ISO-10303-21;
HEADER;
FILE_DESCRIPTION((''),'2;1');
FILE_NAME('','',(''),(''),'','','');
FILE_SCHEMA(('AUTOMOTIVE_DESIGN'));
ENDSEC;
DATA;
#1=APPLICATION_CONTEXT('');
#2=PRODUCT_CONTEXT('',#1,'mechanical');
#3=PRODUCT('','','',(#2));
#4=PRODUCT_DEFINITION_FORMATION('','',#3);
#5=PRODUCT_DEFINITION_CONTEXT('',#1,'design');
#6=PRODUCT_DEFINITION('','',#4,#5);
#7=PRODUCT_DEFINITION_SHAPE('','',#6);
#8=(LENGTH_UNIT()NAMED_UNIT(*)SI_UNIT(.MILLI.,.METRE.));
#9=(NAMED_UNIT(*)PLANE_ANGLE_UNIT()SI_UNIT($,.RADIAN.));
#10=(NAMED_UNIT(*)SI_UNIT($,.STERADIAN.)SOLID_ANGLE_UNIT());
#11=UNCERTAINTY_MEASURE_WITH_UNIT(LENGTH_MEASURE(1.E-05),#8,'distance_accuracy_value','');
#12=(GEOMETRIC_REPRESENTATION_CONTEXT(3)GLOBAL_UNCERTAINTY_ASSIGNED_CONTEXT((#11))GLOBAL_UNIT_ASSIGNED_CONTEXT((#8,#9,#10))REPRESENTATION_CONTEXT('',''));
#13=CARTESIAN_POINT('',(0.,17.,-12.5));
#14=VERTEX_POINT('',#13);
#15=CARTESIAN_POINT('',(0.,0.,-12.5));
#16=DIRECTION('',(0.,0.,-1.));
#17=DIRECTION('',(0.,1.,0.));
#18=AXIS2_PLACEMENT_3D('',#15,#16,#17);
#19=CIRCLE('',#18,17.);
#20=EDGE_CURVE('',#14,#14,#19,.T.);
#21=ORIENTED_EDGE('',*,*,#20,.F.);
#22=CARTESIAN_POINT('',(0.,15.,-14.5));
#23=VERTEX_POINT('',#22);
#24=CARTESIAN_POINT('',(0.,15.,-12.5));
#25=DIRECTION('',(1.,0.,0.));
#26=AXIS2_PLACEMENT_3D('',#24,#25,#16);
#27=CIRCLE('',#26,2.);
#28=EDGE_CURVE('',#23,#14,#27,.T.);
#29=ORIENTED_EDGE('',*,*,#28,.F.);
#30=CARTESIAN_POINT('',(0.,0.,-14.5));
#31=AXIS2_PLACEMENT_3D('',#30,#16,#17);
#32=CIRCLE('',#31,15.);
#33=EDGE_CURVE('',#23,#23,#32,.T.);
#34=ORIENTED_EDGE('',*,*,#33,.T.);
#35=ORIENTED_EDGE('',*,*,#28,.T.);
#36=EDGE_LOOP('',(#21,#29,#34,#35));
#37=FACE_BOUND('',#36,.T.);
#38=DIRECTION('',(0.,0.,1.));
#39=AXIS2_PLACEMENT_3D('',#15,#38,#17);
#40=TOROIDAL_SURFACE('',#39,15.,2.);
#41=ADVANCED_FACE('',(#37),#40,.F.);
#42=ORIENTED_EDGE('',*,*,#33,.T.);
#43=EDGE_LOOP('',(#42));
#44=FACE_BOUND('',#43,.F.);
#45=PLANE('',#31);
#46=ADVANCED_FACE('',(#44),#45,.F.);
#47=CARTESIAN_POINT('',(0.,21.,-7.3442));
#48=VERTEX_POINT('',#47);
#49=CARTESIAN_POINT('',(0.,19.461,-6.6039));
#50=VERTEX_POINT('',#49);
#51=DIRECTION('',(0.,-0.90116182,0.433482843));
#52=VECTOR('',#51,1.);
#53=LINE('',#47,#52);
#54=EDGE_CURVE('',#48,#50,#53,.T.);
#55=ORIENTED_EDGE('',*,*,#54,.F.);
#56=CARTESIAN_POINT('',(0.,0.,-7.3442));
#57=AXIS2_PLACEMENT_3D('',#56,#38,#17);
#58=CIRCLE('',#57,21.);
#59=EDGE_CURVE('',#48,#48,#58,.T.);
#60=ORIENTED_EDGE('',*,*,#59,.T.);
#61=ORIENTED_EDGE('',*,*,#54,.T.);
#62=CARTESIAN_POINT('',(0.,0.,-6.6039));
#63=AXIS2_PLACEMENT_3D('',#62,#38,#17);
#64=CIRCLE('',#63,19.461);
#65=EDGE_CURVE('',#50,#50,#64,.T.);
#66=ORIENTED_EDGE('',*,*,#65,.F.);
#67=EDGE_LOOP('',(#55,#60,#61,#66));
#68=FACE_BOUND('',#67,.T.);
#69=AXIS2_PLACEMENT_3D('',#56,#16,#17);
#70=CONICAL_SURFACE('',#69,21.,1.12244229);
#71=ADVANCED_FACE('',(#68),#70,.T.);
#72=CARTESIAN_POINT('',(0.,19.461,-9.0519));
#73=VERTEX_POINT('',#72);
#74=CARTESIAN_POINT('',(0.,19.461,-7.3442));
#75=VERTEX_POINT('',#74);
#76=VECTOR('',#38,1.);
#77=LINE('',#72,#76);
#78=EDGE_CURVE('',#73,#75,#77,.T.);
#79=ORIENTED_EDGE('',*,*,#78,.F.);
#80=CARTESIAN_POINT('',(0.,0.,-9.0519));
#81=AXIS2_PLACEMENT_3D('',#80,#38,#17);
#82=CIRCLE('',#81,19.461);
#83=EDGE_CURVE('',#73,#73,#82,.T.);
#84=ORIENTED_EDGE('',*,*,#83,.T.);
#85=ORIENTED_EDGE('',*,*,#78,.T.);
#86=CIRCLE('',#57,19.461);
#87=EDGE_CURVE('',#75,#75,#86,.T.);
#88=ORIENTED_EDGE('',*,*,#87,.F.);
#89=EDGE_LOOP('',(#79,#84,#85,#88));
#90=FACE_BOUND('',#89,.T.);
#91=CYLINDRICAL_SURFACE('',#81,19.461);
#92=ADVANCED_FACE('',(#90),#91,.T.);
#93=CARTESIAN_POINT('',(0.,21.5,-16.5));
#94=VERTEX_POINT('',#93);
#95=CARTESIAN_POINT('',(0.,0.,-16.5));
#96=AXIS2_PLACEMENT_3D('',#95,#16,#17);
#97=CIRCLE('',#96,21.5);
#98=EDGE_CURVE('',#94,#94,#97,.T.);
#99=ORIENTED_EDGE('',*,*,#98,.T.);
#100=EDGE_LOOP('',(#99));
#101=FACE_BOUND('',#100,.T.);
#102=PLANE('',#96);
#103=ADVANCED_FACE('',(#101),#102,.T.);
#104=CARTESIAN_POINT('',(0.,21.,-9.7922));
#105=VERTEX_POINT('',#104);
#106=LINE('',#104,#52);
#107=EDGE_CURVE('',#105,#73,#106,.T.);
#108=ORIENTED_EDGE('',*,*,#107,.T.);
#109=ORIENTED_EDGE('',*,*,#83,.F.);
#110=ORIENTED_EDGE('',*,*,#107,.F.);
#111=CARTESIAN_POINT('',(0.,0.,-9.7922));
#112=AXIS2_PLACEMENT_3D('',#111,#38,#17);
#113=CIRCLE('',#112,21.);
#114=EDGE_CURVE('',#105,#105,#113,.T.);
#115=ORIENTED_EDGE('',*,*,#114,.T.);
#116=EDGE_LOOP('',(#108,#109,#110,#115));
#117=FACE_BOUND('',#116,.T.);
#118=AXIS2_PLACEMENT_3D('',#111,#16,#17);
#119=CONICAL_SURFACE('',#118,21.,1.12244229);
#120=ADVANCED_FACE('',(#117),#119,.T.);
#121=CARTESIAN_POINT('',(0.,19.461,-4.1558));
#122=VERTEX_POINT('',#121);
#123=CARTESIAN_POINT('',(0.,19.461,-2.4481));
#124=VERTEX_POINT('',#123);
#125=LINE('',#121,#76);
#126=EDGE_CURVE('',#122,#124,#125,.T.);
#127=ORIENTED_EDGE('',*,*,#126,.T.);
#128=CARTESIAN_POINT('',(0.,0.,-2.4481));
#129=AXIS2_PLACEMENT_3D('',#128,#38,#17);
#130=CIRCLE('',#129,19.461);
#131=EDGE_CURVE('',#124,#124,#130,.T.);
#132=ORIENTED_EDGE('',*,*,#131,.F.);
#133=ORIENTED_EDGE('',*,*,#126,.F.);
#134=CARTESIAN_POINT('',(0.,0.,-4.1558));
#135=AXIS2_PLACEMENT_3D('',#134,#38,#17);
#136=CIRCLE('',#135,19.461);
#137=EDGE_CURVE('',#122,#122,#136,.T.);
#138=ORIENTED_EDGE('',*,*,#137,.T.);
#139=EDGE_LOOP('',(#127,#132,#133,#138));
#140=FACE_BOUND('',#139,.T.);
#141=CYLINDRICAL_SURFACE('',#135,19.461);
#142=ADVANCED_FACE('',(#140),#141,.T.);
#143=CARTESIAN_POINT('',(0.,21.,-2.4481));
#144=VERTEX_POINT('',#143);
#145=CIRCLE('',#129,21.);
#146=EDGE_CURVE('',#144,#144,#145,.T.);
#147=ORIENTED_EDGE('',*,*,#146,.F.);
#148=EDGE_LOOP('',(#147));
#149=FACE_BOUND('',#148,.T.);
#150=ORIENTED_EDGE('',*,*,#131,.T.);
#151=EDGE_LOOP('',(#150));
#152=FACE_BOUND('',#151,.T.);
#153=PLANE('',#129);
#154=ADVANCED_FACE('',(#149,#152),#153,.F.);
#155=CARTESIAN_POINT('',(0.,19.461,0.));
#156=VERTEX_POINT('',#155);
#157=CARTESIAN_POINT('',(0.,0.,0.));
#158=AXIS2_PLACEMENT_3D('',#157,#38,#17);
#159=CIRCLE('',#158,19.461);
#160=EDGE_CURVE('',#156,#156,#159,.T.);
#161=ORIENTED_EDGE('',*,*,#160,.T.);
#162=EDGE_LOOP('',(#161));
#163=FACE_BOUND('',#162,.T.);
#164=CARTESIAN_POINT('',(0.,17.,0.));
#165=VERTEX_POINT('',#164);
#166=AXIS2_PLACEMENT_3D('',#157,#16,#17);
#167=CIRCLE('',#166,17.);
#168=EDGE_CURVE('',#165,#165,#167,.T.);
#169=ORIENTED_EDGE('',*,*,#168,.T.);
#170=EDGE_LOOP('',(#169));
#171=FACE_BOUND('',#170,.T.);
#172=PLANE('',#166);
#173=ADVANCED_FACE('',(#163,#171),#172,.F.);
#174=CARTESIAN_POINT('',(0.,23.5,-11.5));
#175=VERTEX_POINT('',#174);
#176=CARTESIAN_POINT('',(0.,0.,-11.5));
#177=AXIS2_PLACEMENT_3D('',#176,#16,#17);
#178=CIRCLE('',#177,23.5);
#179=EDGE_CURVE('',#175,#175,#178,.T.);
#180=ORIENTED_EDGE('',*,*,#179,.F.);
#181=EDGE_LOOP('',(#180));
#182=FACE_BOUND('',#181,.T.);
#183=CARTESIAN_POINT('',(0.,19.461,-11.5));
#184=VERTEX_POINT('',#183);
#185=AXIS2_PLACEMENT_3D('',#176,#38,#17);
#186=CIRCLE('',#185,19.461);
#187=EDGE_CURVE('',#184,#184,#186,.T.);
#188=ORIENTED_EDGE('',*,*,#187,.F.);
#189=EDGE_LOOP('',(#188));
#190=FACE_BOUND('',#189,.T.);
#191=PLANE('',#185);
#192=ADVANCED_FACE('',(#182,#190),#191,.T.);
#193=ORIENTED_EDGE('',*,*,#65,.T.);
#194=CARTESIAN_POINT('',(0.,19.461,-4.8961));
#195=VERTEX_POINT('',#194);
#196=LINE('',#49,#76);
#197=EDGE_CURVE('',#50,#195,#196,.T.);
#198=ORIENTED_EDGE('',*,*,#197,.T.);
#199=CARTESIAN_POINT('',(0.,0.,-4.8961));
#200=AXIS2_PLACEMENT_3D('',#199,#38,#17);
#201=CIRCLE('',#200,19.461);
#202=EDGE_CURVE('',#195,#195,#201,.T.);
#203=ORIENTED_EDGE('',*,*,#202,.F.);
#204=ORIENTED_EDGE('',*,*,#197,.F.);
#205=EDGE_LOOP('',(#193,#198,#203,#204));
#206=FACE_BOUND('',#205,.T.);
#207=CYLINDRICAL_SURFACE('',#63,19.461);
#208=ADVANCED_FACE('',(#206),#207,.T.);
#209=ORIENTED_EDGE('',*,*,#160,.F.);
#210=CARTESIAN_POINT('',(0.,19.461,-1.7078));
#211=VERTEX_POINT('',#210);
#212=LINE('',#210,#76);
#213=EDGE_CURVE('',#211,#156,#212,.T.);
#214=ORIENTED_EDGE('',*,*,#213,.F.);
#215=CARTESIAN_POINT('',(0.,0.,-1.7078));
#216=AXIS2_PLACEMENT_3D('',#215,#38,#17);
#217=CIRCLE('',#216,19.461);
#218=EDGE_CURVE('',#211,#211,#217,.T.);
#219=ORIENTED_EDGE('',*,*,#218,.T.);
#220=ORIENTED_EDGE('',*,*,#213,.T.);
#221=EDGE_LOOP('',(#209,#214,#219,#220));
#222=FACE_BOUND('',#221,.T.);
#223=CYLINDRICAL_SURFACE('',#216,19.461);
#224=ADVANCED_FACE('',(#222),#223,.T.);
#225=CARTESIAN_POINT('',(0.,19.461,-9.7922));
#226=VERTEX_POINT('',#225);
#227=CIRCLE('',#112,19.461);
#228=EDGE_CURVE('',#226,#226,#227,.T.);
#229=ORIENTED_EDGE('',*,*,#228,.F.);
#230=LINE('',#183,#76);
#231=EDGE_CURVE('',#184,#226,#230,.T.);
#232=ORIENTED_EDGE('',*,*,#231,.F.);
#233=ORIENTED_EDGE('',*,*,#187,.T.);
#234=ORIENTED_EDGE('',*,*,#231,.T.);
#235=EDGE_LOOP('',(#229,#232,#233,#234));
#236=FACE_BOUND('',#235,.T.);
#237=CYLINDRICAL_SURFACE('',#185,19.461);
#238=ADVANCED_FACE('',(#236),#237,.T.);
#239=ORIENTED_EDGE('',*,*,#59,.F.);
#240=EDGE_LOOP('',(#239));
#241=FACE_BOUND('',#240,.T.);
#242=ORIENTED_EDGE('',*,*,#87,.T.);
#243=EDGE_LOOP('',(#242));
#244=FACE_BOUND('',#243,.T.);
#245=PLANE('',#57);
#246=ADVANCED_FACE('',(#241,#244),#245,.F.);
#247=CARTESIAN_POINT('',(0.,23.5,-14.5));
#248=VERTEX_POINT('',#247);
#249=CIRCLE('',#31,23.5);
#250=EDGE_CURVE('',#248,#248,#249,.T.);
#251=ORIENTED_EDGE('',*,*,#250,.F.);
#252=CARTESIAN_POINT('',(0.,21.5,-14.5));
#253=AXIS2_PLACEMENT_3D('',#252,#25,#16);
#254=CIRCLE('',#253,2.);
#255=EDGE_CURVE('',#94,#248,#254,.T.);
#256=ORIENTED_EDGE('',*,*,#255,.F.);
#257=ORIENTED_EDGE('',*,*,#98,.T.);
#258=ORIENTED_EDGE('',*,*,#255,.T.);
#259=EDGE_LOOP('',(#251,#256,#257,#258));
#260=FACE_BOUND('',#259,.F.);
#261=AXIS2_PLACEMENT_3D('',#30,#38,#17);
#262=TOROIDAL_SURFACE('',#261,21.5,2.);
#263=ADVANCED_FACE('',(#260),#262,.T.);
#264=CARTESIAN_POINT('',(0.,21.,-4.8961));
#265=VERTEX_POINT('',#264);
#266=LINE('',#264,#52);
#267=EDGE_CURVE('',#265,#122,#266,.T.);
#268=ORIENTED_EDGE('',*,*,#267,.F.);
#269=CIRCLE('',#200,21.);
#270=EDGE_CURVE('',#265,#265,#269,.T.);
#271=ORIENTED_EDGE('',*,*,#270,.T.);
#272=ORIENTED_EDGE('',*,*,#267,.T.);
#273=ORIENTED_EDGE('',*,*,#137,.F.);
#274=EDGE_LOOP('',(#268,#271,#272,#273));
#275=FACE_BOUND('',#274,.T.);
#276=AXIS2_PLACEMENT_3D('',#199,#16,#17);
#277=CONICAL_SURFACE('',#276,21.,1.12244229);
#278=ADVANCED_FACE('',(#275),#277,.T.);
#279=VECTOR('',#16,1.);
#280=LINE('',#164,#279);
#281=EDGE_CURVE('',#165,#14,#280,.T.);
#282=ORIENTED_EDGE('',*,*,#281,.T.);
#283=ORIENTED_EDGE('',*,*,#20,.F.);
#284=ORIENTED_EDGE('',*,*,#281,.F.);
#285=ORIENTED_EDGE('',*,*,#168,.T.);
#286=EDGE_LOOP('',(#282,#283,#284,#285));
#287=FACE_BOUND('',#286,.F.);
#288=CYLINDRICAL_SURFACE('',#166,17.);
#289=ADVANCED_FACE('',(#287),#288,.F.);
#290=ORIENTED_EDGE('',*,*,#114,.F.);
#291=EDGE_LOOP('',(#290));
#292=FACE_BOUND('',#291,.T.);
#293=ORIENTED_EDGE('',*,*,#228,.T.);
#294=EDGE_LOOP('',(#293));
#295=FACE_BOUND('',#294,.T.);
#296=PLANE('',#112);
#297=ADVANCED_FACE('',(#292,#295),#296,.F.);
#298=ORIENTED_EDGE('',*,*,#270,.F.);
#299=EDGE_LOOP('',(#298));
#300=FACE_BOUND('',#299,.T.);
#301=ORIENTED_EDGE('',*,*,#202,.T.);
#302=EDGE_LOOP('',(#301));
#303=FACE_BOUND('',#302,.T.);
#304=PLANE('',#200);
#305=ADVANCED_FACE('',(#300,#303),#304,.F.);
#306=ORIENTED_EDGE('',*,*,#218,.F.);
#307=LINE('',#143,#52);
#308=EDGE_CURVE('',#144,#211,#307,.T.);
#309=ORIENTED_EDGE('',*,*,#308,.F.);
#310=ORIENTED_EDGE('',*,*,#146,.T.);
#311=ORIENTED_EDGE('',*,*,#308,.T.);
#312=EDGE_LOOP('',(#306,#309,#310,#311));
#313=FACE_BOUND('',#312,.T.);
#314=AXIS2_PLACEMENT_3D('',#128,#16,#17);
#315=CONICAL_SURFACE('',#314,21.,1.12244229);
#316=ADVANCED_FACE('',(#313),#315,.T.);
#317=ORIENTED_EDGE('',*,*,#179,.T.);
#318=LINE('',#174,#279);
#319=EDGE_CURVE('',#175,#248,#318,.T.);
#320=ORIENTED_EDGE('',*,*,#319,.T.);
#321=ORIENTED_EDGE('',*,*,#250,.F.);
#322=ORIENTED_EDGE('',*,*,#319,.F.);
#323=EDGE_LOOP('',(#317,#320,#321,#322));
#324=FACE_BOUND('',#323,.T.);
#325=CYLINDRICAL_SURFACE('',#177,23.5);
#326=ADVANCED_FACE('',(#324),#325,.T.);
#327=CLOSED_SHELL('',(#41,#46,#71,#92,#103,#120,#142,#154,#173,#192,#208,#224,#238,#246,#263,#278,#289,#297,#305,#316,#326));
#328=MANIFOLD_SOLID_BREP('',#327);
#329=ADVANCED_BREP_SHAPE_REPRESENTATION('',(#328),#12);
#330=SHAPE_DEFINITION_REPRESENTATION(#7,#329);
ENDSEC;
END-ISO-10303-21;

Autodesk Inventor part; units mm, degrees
ref_plane "YZ Plane" through (0, 0, 0) normal (1, 0, 0) x (0, 1, 0)
ref_plane "XZ Plane" through (0, 0, 0) normal (0, 1, 0) x (-1, 0, 0)
ref_plane "XY Plane" through (0, 0, 0) normal (0, 0, 1) x (1, 0, 0)
sketch "Skizze1" plane through (0, 0, 0) normal (1, 0, 0) x (0, 1, 0)
  line L0 (0, 0) -> (0, -24.7544)
  line L1 (17, 0) -> (21, 0)
  line L2 (21, 0) -> (21, -11.5)
  line L3 (21, -11.5) -> (23.5, -11.5)
  line L4 (23.5, -11.5) -> (23.5, -14.5)
  line L5 (21.5, -16.5) -> (0, -16.5)
  line L6 (17, 0) -> (17, -12.5)
  line L7 (15, -14.5) -> (0, -14.5)
  arc A0 (15, -14.5) -> (17, -12.5) centre (15, -12.5) ccw
  arc A1 (21.5, -16.5) -> (23.5, -14.5) centre (21.5, -14.5) ccw
  point P0 (23.5, -16.5)
  point P1 (21, -5.75)
  dimension "d0" = 42
  dimension "d1" = 47
  dimension "d2" = 5
  dimension "d3" = 11.5
  dimension "d5" = 2
  dimension "d6" = 2
  dimension "d8" = 4
  dimension "d9" = 2
revolve "Umdrehung1" add sketch "Skizze1" angle 360 about axis through (0, 0, 0) along (0, 0, -1)
sketch "Skizze2" plane through (0, 0, 0) normal (1, 0, 0) x (0, 1, 0)
  line L0 (21, 0) -> (21, -11.5) projected
  line L1 (21, -11.5) -> (19.461, -11.5)
  line L2 (-23.5, -11.5) -> (23.5, -11.5) projected
  line L3 (19.461, -11.5) -> (19.461, -9.7922)
  line L4 (19.461, -9.7922) -> (21, -9.7922)
  line L5 (21, -9.7922) -> (19.461, -9.0519)
  line L6 (19.461, -9.0519) -> (19.461, -7.3442)
  line L7 (19.461, -7.3442) -> (21, -7.3442)
  line L8 (21, -7.3442) -> (19.461, -6.6039)
  line L9 (19.461, -6.6039) -> (19.461, -4.8961)
  line L10 (19.461, -4.8961) -> (21, -4.8961)
  line L11 (21, -4.8961) -> (19.461, -4.1558)
  line L12 (19.461, -4.1558) -> (19.461, -2.4481)
  line L13 (19.461, -2.4481) -> (21, -2.4481)
  line L14 (21, -2.4481) -> (19.461, -1.7078)
  line L15 (19.461, -1.7078) -> (19.461, 0)
  line L16 (-21, 0) -> (21, 0) projected
  line L17 (21, -11.5) -> (21, 0)
  line L18 (19.461, 0) -> (21, 0)
  line L19 (0, -19.8) -> (0, 3.3) projected
  point P0 (0, 0)
revolve "Umdrehung2" cut sketch "Skizze2" angle 360 about axis through (0, 0, -10) along (0, 0, 1) contours L0 L14 L15 L16 | L0 L11 L12 L13 | L0 L8 L9 L10 | L0 L5 L6 L7 | L0 L1 L3 L4
properties part number "Round_sliders"
